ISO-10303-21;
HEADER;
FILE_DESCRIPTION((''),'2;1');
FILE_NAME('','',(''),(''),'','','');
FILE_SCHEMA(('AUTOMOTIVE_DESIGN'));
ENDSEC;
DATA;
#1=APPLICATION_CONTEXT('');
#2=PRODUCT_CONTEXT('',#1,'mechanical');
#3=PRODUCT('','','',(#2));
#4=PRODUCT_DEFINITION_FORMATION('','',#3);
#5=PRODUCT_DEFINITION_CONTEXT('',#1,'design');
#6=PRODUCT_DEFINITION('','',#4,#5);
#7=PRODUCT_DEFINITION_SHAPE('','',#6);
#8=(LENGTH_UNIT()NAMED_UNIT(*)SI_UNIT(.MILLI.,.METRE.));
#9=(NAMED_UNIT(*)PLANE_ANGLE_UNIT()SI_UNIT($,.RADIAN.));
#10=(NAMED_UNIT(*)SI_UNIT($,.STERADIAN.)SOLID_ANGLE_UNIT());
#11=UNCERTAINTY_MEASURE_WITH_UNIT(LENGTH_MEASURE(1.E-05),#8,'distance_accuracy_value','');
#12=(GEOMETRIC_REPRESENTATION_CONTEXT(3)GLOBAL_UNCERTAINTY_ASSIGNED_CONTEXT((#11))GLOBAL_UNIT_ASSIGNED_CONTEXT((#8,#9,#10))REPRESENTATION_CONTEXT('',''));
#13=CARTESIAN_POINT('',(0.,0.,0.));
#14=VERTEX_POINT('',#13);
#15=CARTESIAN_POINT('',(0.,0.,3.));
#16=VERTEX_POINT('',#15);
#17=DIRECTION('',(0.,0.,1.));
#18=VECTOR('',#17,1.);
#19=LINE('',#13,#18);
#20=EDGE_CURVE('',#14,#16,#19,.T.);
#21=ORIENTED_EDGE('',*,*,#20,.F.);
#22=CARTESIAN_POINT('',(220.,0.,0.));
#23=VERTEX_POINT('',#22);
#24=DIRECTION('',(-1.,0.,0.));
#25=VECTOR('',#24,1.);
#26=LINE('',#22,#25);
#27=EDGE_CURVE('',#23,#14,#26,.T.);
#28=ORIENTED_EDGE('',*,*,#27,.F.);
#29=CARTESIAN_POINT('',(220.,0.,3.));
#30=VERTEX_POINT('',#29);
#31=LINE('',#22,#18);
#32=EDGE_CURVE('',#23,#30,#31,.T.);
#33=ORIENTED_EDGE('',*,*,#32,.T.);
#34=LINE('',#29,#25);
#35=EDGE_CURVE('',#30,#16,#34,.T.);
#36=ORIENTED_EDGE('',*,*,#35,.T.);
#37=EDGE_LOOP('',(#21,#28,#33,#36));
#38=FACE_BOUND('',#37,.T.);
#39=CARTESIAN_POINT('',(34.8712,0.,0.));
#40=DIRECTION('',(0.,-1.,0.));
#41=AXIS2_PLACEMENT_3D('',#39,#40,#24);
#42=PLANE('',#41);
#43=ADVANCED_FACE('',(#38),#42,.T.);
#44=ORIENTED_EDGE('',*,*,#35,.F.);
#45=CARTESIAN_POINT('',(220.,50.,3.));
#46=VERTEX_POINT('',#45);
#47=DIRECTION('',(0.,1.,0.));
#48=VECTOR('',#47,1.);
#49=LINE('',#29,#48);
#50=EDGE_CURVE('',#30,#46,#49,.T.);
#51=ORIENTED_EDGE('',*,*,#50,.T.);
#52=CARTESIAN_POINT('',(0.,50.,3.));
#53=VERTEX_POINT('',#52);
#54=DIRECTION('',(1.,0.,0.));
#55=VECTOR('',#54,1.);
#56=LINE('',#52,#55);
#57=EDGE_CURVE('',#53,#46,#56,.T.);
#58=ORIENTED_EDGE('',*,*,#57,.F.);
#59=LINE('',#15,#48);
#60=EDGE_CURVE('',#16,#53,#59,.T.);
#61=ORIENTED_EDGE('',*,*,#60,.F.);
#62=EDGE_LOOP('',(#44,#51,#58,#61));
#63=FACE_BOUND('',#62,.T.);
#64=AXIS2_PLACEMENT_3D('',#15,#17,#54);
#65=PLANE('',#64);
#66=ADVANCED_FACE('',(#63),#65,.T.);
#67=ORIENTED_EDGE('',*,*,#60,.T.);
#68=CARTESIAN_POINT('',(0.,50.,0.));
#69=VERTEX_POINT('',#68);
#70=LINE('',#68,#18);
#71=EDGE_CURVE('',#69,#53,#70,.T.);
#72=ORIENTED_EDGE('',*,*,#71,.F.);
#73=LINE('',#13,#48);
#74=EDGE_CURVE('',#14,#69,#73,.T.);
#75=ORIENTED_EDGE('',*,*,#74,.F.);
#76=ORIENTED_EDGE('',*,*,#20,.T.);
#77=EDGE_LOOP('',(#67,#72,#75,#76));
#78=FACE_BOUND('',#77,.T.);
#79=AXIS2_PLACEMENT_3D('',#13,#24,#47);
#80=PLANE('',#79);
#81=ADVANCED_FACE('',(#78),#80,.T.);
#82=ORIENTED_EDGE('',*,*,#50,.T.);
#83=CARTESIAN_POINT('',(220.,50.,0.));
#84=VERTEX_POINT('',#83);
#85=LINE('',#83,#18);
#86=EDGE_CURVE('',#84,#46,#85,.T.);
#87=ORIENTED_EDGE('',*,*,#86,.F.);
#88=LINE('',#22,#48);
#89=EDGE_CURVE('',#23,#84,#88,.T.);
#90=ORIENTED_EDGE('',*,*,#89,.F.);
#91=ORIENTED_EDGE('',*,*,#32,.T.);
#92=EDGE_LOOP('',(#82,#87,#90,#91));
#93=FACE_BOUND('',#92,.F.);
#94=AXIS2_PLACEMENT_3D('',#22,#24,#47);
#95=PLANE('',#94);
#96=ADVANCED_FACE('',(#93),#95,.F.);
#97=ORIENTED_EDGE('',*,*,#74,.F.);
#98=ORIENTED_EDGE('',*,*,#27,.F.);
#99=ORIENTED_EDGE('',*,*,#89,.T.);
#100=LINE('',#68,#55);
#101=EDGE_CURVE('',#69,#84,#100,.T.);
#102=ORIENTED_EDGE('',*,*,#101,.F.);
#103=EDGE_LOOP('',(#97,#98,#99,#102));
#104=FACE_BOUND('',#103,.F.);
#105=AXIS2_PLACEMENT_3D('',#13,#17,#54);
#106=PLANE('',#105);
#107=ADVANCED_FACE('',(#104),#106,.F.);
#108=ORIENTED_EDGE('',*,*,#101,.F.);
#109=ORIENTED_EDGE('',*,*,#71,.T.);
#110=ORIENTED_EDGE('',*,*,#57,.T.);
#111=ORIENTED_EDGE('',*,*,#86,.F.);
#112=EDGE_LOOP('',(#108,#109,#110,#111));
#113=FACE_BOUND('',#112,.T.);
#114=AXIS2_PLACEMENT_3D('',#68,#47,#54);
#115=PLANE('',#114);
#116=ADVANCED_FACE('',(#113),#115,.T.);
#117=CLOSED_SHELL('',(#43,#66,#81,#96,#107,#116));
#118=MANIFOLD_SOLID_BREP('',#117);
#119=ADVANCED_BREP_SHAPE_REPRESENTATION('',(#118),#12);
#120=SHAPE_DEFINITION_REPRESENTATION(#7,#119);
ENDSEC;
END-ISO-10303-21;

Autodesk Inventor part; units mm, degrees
ref_plane "YZ Plane" through (0, 0, 0) normal (1, 0, 0) x (0, 1, 0)
ref_plane "XZ Plane" through (0, 0, 0) normal (0, 1, 0) x (-1, 0, 0)
ref_plane "XY Plane" through (0, 0, 0) normal (0, 0, 1) x (1, 0, 0)
sketch "Sketch1" plane through (0, 0, 0) normal (0, 0, 1) x (1, 0, 0)
  circle A0 centre (6.0619, 42.5) radius 1.5 projected
  circle A1 centre (6.0619, 7.5) radius 1.5 projected
  circle A2 centre (28.8092, 42.5) radius 1.5 projected
  circle A3 centre (28.8092, 7.5) radius 1.5 projected
  line L0 (34.8712, 0) -> (0, 0) projected
  line L1 (34.8712, 0) -> (34.8712, 50) projected
  line L2 (0, 50) -> (34.8712, 50) projected
  line L3 (0, 0) -> (0, 50) projected
  line L4 (0, 0) -> (220, 0)
  line L5 (220, 0) -> (220, 50)
  line L6 (220, 50) -> (0, 50)
  line L7 (0, 50) -> (0, 0)
  dimension "d0" = 220
  dimension "d1" = 50
extrude "Extrusion1" add sketch "Sketch1" along normal blind 3 contours A0 | A1 | A2 | A3 | L0 L3 L2 L1 | L1 L6 L5 L4
properties part number "arm1" material "Polycarbonate, Clear"
